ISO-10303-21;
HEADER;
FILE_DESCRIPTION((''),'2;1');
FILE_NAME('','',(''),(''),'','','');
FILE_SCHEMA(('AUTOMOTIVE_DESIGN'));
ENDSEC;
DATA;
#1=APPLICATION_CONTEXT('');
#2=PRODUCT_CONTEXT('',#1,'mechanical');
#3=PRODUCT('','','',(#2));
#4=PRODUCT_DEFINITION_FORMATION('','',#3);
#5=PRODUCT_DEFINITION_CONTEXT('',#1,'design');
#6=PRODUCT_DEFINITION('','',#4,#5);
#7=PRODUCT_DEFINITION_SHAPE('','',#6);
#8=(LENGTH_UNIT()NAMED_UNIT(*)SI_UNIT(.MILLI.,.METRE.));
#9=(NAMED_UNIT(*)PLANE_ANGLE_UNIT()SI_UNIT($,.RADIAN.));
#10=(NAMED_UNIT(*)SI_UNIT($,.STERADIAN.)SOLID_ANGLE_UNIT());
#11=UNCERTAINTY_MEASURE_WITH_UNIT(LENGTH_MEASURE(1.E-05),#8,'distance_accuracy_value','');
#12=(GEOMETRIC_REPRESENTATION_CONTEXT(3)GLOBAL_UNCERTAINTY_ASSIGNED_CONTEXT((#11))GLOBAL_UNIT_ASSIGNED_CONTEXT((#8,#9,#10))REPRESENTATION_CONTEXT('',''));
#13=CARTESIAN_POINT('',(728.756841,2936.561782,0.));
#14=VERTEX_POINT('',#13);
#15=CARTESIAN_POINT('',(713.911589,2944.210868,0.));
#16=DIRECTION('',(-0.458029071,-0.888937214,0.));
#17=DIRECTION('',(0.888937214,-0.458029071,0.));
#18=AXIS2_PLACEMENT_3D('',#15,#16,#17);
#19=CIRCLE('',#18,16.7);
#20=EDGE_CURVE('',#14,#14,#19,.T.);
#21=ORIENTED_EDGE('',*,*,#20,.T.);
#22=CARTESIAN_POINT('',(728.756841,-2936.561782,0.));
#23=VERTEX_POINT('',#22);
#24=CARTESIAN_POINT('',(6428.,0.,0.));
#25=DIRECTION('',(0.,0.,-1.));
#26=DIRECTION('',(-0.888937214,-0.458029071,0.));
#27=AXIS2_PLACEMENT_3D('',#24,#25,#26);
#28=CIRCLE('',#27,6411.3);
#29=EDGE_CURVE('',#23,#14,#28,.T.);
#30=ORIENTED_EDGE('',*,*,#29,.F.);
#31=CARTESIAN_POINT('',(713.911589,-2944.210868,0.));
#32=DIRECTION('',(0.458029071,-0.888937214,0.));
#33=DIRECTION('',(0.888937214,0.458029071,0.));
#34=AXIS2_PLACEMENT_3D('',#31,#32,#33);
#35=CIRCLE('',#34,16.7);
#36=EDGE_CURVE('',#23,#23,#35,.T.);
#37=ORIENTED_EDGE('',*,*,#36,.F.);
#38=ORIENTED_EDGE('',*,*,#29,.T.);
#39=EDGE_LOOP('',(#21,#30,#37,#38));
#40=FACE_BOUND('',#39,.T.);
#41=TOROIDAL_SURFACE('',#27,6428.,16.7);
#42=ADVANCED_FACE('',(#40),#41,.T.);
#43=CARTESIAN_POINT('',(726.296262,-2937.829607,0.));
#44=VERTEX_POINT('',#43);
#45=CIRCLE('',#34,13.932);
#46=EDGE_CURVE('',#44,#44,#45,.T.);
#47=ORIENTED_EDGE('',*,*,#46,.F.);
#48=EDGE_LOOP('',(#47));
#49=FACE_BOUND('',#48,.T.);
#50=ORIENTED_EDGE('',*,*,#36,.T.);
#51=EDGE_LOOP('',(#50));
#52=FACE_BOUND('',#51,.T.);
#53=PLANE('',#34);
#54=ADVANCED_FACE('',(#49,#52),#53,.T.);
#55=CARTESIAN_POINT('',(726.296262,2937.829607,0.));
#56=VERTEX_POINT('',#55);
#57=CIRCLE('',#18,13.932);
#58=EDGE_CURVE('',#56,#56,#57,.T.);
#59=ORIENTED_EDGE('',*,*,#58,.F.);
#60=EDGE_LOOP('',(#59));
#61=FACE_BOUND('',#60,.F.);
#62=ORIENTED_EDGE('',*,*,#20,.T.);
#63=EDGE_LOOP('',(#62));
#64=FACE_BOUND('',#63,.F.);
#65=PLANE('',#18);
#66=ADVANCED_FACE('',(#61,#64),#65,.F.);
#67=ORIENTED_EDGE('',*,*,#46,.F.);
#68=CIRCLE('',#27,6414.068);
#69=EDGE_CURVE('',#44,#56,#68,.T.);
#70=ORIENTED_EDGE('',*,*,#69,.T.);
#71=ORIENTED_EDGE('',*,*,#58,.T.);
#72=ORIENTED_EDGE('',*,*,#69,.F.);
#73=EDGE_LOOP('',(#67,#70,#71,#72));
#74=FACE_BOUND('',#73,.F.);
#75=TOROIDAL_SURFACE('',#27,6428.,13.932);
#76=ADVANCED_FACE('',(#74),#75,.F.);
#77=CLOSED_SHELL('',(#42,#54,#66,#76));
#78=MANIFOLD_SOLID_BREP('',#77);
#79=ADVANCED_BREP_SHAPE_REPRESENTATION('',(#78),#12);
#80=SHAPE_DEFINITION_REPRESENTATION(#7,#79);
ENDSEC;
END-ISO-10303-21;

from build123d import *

# Parameters (mm, degrees)
F0_R          = 16.7
F0_R_2        = 13.932
F1_ANGLE_BACK = 27.26
F1_ANGLE      = 54.52


with BuildPart() as f1:
    # F0 (on Front) → F1 (revolve)
    with BuildSketch(Plane.XZ, mode=Mode.PRIVATE) as f1_sk:
        Circle(F0_R)
        Circle(F0_R_2, mode=Mode.SUBTRACT)
    revolve(f1_sk.sketch.rotate(Axis((6428, 0, -100), (0, 0, -1)), -F1_ANGLE_BACK), axis=Axis((6428, 0, -100), (0, 0, -1)), revolution_arc=F1_ANGLE)


solid = f1.part
